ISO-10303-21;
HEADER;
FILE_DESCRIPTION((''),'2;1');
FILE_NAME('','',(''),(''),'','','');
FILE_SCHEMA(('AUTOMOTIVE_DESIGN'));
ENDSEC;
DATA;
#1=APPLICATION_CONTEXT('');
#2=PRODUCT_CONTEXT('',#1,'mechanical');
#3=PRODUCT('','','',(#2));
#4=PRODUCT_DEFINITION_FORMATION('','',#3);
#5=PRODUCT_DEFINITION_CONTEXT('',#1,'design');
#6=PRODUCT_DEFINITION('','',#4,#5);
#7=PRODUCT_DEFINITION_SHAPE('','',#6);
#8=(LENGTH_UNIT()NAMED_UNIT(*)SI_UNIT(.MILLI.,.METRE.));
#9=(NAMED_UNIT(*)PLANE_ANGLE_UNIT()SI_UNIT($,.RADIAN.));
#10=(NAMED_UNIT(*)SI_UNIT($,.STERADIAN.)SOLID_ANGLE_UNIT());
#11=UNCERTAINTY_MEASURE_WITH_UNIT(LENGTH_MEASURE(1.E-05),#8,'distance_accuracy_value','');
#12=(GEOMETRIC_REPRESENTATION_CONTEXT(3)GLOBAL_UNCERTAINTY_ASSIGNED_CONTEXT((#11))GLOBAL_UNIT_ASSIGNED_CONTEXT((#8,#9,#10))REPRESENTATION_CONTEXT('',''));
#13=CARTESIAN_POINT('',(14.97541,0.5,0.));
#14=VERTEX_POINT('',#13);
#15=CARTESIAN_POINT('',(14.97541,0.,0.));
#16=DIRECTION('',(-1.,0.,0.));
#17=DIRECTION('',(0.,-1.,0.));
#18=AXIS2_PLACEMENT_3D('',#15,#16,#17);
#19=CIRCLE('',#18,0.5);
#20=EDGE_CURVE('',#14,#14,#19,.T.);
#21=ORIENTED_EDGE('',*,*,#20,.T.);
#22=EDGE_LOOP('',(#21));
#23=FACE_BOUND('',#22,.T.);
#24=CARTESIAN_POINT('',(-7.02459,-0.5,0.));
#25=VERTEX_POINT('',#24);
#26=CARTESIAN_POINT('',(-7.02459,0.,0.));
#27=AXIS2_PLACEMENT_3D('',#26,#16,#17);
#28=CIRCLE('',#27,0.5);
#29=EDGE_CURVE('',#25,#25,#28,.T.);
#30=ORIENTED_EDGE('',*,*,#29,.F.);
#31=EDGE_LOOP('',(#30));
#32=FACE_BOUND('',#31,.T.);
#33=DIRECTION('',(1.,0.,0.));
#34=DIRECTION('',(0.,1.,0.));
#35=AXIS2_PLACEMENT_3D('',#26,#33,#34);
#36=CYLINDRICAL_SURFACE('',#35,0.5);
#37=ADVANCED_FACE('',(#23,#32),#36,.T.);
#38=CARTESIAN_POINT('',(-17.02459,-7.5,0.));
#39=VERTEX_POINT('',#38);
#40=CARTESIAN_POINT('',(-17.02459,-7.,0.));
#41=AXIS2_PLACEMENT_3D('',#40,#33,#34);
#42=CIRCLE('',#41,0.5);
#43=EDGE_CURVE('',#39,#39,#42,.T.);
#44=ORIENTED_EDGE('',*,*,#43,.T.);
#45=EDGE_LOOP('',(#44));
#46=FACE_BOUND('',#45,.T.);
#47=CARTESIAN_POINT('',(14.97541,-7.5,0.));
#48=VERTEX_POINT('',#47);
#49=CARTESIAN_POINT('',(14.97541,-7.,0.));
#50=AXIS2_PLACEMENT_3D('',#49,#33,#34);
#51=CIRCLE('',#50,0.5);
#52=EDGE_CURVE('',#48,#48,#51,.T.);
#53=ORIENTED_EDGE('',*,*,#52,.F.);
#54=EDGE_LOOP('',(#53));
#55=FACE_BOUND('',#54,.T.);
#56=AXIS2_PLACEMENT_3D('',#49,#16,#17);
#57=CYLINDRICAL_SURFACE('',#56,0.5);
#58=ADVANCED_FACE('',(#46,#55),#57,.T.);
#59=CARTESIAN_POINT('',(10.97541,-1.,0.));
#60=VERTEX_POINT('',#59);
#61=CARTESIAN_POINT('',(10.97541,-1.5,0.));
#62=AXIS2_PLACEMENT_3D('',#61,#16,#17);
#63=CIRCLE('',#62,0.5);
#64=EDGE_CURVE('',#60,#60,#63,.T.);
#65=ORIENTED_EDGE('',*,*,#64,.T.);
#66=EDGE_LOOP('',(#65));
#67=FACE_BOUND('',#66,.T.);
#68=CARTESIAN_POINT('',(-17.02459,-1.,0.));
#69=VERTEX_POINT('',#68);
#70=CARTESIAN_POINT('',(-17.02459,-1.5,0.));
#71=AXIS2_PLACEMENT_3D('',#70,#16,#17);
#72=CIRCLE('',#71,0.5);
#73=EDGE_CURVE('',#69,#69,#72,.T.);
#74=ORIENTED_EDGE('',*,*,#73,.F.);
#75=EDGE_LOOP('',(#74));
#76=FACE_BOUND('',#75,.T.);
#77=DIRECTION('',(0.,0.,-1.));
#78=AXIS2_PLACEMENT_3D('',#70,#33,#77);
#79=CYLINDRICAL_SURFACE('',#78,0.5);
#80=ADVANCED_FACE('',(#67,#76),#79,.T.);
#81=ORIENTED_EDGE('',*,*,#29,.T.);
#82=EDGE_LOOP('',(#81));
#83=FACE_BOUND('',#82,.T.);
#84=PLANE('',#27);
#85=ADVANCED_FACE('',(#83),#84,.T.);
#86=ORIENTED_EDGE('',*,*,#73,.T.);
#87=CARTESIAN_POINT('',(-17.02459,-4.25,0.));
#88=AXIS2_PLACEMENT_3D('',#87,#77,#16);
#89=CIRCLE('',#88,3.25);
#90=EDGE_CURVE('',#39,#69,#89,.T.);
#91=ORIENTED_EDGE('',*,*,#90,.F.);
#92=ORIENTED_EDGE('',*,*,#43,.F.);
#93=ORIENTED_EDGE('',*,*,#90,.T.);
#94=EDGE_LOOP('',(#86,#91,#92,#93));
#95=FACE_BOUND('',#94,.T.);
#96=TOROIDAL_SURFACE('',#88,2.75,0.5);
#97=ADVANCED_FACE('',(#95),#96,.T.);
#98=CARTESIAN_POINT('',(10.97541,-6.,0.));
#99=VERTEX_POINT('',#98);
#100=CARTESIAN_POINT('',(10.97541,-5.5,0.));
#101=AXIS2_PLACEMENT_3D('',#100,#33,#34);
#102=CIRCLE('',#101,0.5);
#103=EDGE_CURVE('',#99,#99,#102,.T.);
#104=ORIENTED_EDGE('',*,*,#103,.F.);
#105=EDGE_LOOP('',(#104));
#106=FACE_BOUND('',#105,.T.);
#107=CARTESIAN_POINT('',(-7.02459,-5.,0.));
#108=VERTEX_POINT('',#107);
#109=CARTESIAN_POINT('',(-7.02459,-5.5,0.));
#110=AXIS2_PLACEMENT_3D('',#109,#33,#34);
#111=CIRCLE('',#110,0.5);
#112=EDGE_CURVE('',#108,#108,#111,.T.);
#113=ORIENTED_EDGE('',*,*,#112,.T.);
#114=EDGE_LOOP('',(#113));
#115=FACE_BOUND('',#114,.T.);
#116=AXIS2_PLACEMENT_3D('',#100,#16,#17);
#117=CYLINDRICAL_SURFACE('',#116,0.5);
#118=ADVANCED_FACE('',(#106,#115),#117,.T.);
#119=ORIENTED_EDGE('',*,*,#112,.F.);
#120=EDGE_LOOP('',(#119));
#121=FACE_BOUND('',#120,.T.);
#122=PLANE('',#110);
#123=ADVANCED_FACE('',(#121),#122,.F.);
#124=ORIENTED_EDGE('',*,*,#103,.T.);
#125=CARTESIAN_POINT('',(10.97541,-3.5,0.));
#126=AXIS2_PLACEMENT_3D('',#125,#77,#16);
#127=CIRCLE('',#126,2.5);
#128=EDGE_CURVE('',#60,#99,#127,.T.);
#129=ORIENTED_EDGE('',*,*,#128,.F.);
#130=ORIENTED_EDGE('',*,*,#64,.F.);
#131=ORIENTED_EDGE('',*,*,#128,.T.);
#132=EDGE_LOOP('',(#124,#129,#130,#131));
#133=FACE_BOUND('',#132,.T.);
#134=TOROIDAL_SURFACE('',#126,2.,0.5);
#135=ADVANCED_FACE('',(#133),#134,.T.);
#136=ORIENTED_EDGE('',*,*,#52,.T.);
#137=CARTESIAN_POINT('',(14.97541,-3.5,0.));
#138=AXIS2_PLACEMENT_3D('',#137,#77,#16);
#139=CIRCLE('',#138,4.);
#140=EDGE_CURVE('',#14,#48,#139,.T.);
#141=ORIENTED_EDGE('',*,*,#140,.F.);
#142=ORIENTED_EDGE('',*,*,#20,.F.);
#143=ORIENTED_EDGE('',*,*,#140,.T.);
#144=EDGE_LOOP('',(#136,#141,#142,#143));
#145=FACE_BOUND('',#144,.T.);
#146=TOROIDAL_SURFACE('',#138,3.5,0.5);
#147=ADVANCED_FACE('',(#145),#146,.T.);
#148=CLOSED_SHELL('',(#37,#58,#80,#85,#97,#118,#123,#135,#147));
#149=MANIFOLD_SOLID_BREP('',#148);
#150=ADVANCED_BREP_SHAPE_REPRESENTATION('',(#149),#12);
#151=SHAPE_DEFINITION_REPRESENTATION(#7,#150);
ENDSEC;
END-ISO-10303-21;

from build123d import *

# Parameters (mm, degrees)
SWEEP1_PROFILE_R = 0.5


with BuildPart() as part:
    # Sweep1: sweep along a path in Sketch1
    with BuildLine(Plane.XY) as sweep1_path:
        Line((-7.024590164, 0), (14.975409836, 0))
        ThreePointArc((14.975409836, 0), (18.475409836, -3.5), (14.975409836, -7))
        Line((14.975409836, -7), (-17.024590164, -7))
        ThreePointArc((-17.024590164, -7), (-19.774590164, -4.25), (-17.024590164, -1.5))
        Line((-17.024590164, -1.5), (10.975409836, -1.5))
        ThreePointArc((10.975409836, -1.5), (12.975409836, -3.5), (10.975409836, -5.5))
        Line((10.975409836, -5.5), (-7.024590164, -5.5))
    # Sweep1 profile (on start of the path) → Sweep1 (sweep)
    with BuildSketch(Plane.YZ.offset(-7.024590164)):
        Circle(SWEEP1_PROFILE_R)
    sweep(path=sweep1_path.line)


solid = part.part
